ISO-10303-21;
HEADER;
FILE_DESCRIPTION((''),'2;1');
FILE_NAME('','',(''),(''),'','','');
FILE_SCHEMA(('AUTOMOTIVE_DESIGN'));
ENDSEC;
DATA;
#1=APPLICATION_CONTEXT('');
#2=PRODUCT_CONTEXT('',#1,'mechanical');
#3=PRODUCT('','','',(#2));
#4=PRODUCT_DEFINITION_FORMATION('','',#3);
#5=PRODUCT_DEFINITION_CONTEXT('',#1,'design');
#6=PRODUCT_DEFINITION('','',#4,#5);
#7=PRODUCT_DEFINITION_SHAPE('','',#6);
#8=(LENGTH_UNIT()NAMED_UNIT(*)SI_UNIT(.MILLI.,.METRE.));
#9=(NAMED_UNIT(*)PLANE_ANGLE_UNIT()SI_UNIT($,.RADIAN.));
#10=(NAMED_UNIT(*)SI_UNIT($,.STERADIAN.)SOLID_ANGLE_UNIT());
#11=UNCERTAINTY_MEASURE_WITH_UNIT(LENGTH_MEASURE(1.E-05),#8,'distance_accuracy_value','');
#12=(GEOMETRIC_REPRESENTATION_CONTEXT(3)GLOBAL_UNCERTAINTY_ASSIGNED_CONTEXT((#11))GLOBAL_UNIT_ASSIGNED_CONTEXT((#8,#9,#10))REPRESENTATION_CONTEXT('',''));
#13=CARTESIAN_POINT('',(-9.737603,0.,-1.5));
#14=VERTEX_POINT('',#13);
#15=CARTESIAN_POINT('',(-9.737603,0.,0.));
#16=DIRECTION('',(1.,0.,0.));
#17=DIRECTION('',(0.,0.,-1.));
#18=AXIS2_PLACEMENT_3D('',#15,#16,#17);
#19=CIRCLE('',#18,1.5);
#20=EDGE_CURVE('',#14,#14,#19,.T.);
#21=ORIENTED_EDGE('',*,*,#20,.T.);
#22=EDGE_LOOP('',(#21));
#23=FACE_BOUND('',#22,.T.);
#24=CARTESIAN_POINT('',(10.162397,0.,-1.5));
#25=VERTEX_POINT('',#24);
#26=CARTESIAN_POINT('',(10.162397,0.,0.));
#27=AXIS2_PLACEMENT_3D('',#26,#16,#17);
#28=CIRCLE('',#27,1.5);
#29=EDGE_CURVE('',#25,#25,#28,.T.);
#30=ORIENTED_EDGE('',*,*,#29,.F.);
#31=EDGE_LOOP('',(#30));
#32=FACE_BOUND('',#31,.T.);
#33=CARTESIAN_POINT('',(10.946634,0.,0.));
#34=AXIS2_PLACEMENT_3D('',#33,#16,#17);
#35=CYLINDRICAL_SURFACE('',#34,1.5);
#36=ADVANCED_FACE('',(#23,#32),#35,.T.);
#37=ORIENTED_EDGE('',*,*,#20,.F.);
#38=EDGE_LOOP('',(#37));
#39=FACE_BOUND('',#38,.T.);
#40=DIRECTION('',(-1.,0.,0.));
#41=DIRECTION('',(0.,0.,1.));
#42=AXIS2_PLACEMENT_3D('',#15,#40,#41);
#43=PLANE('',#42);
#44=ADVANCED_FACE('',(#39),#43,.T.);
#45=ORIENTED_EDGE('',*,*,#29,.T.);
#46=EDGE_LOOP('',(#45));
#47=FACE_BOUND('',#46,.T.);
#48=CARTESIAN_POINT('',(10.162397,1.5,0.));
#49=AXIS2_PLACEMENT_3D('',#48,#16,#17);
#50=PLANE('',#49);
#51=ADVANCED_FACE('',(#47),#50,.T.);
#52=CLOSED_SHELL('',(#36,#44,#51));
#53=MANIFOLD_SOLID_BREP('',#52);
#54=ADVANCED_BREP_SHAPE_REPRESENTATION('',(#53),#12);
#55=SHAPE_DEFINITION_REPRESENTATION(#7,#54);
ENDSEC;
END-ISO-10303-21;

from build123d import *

# Parameters (mm, degrees)
CROQUIS1_W = 19.9
CROQUIS1_H = 1.5


with BuildPart() as part:
    # Croquis1 → Revolución1 (revolve)
    with BuildSketch(Plane.XY, mode=Mode.PRIVATE) as revoluci_n1_sk:
        with Locations((0.212397373, 0.75)):
            Rectangle(CROQUIS1_W, CROQUIS1_H)
    revolve(revoluci_n1_sk.sketch.rotate(Axis((10.946633826, 0, 0), (-1, 0, 0)), 90), axis=Axis((10.946633826, 0, 0), (-1, 0, 0)))


solid = part.part
